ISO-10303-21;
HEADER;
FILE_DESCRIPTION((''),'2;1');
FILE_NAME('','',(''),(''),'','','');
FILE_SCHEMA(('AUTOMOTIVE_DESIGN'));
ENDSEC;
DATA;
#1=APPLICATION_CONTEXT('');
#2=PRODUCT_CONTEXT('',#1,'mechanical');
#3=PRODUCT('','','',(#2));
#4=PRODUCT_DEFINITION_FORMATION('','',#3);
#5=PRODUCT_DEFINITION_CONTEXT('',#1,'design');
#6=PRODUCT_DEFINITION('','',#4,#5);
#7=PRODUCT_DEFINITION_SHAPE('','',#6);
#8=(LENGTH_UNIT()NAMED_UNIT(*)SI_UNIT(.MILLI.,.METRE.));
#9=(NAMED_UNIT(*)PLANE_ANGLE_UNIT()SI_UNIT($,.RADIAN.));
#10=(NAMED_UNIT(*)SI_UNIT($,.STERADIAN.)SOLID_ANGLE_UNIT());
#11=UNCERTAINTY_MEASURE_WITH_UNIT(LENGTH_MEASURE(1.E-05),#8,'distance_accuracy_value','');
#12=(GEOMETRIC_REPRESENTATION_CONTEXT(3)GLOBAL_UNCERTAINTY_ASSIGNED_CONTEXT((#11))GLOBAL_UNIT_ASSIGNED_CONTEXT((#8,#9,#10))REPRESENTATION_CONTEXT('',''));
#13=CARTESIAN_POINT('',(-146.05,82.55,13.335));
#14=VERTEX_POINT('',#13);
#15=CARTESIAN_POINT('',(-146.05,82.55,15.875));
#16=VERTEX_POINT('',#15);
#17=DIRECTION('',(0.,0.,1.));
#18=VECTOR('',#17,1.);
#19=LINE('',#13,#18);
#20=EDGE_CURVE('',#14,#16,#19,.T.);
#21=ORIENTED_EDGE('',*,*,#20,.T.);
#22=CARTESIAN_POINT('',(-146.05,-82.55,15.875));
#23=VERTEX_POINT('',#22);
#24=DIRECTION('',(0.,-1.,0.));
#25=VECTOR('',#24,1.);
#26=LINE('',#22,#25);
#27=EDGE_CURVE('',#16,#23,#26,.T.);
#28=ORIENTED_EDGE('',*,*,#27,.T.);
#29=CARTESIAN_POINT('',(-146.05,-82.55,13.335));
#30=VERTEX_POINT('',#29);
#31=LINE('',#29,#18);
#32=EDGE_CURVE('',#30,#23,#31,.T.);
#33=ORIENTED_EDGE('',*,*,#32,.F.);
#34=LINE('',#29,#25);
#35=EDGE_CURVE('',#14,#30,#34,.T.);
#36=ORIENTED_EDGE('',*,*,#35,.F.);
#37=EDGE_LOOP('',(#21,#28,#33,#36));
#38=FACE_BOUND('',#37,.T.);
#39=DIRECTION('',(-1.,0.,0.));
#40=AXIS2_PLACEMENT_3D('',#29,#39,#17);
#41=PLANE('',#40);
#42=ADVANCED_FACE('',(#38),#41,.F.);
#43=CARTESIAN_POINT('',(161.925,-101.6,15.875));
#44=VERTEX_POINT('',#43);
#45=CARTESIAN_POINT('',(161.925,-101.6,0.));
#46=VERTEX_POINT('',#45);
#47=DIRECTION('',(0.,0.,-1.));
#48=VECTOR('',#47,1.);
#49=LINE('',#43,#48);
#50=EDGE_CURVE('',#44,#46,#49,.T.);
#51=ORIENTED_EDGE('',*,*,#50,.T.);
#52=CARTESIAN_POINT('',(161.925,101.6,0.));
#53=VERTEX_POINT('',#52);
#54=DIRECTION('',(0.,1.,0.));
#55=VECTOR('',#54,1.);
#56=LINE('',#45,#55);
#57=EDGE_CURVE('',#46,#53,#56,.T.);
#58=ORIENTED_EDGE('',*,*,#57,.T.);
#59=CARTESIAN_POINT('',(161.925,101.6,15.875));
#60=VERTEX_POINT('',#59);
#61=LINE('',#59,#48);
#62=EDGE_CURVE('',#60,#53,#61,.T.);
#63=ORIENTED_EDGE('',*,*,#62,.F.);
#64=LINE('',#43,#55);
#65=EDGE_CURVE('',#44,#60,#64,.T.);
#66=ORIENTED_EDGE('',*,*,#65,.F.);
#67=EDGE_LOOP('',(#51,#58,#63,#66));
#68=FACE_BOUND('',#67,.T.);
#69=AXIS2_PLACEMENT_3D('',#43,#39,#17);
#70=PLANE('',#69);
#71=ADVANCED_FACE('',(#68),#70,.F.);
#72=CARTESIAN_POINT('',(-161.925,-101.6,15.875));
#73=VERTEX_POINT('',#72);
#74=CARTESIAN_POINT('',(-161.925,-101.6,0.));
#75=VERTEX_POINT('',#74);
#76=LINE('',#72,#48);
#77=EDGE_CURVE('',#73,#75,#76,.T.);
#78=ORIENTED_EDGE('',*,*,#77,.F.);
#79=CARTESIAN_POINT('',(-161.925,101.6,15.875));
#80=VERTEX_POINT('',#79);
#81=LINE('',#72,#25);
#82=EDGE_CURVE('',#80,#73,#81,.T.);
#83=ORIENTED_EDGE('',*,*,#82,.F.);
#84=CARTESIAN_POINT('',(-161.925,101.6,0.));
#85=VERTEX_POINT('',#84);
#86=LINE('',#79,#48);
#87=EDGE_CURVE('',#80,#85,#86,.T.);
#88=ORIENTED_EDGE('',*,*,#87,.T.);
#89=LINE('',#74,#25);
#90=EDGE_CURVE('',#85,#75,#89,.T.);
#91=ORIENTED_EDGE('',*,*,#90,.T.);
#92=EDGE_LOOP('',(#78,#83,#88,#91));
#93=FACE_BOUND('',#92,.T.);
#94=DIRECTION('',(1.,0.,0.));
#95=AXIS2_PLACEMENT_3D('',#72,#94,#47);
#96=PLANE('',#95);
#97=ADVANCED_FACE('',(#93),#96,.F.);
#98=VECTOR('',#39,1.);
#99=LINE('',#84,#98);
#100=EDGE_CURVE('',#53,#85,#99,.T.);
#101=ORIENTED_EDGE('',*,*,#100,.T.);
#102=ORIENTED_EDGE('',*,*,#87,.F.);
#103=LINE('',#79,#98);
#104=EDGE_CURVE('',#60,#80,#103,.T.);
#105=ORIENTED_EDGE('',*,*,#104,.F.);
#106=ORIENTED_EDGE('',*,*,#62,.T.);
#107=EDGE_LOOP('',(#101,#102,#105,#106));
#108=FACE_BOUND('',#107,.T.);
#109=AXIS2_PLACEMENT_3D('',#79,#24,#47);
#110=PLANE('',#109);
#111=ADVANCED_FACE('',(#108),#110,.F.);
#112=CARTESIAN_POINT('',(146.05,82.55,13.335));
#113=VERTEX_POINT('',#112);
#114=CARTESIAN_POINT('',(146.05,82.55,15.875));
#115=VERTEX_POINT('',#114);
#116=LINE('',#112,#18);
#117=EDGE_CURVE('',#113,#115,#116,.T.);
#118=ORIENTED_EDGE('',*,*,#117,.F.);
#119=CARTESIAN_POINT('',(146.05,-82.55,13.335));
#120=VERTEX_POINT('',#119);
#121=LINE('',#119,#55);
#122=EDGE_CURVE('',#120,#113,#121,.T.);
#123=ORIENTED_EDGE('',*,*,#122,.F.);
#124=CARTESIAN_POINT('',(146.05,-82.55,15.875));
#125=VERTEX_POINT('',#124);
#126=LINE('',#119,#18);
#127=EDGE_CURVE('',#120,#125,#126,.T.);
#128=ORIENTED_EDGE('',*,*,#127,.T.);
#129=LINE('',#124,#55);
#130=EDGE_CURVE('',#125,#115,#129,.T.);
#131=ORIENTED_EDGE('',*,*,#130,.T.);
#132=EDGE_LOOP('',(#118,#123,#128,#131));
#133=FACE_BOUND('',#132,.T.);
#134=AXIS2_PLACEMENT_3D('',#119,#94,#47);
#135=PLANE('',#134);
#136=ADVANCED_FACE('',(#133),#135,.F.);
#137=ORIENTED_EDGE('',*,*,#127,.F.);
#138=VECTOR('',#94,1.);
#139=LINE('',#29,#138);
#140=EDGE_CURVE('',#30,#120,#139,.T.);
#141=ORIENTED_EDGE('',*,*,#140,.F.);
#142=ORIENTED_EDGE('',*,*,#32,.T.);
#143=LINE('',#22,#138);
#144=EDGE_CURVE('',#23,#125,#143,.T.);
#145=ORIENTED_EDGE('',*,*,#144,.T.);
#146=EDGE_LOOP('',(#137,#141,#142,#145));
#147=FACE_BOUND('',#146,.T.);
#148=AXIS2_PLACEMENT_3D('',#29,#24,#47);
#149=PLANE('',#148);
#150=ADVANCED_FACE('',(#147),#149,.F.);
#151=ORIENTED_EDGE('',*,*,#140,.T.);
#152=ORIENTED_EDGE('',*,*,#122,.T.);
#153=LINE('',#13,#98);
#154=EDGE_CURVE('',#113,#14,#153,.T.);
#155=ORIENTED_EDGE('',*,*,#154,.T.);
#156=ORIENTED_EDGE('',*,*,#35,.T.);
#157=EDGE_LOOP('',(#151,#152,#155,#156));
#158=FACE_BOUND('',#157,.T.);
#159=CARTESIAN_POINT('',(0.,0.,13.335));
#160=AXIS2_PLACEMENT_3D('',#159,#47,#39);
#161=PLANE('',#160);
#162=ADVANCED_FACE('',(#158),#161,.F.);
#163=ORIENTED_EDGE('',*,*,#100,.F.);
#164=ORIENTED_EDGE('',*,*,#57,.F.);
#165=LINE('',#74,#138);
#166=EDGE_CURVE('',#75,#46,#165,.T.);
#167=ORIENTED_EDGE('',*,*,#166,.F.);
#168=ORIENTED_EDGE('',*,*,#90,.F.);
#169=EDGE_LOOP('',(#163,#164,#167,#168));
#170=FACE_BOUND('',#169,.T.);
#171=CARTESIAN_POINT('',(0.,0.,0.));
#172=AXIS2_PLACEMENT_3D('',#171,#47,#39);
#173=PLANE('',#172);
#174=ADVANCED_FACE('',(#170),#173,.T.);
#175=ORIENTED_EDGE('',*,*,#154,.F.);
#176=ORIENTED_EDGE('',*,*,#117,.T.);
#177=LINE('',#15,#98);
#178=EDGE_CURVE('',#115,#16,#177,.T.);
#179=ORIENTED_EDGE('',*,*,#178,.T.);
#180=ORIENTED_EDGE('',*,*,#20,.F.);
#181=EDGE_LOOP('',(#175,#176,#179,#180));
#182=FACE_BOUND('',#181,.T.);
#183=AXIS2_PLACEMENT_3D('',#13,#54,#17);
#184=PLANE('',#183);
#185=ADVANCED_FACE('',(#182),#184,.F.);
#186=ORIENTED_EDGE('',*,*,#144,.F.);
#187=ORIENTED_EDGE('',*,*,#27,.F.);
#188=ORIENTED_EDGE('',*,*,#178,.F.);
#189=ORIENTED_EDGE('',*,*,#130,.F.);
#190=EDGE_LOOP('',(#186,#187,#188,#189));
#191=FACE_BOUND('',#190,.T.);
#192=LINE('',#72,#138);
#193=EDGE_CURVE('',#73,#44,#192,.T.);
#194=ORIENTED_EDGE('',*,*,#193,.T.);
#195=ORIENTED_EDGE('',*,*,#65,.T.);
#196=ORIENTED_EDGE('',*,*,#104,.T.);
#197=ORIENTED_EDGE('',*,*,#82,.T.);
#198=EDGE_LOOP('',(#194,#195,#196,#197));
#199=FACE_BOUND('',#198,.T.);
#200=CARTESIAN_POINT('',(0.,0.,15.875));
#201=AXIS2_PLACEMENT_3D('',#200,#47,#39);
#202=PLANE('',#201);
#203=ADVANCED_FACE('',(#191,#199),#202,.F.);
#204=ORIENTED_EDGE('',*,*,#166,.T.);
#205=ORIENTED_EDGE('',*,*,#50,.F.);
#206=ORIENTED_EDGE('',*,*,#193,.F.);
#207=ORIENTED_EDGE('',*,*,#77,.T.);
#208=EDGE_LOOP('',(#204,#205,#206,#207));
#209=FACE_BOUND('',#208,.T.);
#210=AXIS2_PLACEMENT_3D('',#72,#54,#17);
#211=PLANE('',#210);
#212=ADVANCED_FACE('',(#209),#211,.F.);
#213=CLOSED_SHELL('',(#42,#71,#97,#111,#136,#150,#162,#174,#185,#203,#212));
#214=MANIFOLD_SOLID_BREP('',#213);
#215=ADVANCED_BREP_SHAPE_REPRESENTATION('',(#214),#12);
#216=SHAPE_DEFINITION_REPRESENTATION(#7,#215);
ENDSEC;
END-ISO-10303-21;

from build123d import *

# Parameters (mm, degrees)
SKETCH1_W           = 323.85
SKETCH1_H           = 203.2
BOSS_EXTRUDE1_DEPTH = 15.875
SKETCH2_W           = 292.1
SKETCH2_H           = 165.1
CUT_EXTRUDE1_DEPTH  = 2.54


with BuildPart() as part:
    # Sketch1 → Boss-Extrude1 (new body)
    with BuildSketch(Plane.XY):
        Rectangle(SKETCH1_W, SKETCH1_H)
    extrude(amount=BOSS_EXTRUDE1_DEPTH)

    # Sketch2 → Cut-Extrude1 (cut)
    with BuildSketch(Plane.XY.offset(15.875)):
        Rectangle(SKETCH2_W, SKETCH2_H)
    extrude(amount=-CUT_EXTRUDE1_DEPTH, mode=Mode.SUBTRACT)


solid = part.part
